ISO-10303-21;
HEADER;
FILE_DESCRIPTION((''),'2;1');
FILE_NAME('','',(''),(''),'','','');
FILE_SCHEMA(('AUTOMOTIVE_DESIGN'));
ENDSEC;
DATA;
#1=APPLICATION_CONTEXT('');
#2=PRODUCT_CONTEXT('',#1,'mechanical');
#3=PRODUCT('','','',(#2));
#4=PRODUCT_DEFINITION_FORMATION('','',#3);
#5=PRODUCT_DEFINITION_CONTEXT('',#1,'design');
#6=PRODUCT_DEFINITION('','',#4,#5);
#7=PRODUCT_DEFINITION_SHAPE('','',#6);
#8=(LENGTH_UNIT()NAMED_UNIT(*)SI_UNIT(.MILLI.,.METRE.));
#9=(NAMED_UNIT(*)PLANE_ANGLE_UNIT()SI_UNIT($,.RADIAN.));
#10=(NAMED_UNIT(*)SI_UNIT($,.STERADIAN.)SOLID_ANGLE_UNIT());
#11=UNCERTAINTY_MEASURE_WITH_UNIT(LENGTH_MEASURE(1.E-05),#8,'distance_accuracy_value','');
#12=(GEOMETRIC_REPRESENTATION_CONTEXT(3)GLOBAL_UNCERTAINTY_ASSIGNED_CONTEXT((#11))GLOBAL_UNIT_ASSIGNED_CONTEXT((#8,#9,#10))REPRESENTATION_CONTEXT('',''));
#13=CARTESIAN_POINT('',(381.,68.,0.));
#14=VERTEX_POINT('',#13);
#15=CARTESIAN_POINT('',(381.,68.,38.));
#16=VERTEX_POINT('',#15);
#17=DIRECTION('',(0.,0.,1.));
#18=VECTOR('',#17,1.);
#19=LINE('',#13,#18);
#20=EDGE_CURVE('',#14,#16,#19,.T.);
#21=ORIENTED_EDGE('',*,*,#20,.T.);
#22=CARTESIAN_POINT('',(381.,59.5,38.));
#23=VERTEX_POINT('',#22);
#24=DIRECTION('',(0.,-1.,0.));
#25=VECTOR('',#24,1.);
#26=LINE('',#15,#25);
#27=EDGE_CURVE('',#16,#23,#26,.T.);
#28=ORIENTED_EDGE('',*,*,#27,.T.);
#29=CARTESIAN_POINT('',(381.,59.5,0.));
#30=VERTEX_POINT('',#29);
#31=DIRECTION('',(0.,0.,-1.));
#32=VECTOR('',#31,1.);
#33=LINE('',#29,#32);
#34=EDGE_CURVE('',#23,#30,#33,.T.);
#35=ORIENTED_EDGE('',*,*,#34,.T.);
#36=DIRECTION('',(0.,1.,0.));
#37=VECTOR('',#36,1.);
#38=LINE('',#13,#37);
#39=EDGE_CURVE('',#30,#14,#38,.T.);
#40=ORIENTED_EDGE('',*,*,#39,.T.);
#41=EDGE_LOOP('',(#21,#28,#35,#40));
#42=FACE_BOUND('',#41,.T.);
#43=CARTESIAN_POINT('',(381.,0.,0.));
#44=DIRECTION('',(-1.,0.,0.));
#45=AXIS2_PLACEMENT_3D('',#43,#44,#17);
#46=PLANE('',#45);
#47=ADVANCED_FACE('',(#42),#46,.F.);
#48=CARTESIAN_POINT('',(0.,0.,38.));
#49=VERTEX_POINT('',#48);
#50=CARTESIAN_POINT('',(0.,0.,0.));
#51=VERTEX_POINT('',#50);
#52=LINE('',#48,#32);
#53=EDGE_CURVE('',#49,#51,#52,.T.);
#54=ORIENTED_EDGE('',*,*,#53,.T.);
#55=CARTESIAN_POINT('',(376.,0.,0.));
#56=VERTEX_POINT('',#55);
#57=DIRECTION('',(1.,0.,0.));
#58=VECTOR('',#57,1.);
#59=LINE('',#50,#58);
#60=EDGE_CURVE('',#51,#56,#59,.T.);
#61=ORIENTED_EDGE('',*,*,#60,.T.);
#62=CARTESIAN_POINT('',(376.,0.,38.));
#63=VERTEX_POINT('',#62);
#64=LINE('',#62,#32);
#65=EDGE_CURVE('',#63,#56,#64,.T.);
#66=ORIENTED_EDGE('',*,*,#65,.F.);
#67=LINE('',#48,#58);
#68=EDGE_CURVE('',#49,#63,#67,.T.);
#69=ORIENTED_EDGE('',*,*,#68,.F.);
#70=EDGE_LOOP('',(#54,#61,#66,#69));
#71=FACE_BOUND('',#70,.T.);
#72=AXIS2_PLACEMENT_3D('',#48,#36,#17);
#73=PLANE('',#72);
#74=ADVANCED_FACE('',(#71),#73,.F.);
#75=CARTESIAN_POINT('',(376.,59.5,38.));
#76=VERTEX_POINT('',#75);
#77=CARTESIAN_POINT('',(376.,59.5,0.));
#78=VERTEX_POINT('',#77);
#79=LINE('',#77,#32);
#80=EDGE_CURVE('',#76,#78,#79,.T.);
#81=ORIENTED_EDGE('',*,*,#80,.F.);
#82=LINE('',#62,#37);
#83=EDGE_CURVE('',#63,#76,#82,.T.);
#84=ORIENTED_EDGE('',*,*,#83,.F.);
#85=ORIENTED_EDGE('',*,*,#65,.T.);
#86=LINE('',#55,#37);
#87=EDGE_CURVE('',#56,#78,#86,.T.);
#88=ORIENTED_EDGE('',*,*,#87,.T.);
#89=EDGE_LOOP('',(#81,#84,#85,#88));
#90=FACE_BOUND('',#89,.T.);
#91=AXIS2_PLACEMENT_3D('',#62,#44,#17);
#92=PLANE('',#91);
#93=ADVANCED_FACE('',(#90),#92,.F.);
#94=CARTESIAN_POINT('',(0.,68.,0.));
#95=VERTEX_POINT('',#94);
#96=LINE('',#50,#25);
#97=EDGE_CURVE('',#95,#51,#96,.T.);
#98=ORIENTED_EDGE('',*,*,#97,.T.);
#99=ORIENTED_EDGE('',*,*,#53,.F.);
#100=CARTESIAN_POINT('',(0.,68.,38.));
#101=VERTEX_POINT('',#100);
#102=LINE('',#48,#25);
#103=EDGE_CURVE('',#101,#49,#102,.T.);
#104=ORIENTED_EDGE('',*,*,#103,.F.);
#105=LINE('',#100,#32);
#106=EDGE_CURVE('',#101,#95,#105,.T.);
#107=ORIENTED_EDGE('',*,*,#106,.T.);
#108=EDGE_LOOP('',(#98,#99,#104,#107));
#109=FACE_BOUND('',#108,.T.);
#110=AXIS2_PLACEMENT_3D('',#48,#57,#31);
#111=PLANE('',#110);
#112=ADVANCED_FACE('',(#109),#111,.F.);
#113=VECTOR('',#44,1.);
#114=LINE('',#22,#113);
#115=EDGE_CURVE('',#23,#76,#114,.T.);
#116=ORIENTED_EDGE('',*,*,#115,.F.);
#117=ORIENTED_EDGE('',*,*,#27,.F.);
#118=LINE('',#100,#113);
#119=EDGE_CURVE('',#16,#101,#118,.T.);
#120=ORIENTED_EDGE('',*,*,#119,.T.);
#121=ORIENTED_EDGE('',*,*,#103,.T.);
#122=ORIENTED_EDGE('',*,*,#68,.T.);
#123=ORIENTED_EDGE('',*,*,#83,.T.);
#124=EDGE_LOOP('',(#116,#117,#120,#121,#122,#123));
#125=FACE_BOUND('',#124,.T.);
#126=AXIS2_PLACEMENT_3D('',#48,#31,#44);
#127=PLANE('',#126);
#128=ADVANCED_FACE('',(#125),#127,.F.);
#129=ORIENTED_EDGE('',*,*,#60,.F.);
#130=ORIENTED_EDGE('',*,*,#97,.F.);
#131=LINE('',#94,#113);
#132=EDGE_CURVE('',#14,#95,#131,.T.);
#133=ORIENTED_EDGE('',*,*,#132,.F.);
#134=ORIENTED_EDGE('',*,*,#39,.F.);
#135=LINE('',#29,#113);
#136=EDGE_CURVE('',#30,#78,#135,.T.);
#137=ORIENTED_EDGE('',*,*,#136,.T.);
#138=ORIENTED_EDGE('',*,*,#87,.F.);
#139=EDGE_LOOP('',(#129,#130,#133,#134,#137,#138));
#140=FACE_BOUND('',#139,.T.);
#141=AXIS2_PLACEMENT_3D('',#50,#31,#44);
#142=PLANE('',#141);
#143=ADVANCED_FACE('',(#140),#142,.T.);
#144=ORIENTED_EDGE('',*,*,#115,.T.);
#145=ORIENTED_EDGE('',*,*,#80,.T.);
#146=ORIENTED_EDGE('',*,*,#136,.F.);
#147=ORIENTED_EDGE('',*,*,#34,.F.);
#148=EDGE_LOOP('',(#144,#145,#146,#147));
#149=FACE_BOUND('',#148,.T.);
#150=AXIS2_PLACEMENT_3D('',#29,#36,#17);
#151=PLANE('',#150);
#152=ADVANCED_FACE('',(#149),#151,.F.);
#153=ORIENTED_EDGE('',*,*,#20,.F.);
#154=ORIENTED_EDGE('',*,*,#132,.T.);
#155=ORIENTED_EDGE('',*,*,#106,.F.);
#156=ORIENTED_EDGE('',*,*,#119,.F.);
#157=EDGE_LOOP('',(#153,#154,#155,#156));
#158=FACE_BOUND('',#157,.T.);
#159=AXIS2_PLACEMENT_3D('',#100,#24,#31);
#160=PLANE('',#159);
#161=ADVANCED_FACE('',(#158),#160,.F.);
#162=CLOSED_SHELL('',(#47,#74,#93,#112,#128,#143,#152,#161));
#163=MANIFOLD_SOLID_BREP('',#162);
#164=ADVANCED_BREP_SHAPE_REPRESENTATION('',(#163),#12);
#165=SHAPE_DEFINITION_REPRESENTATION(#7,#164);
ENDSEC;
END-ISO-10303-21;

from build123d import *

# Parameters (mm, degrees)
SKETCH1_W           = 376
SKETCH1_H           = 68
BOSS_EXTRUDE1_DEPTH = 38
SKETCH2_W           = 38
SKETCH2_H           = 8.5
BOSS_EXTRUDE2_DEPTH = 5


with BuildPart() as part:
    # Sketch1 → Boss-Extrude1 (new body)
    with BuildSketch(Plane.XY):
        with Locations((188, 34)):
            Rectangle(SKETCH1_W, SKETCH1_H)
    extrude(amount=BOSS_EXTRUDE1_DEPTH)

    # Sketch2 → Boss-Extrude2 (add)
    with BuildSketch(Plane(origin=(376, 0, 0), x_dir=(0, 0, -1), z_dir=(1, 0, 0))):
        with Locations((-19, 63.75)):
            Rectangle(SKETCH2_W, SKETCH2_H)
    extrude(amount=BOSS_EXTRUDE2_DEPTH)


solid = part.part
